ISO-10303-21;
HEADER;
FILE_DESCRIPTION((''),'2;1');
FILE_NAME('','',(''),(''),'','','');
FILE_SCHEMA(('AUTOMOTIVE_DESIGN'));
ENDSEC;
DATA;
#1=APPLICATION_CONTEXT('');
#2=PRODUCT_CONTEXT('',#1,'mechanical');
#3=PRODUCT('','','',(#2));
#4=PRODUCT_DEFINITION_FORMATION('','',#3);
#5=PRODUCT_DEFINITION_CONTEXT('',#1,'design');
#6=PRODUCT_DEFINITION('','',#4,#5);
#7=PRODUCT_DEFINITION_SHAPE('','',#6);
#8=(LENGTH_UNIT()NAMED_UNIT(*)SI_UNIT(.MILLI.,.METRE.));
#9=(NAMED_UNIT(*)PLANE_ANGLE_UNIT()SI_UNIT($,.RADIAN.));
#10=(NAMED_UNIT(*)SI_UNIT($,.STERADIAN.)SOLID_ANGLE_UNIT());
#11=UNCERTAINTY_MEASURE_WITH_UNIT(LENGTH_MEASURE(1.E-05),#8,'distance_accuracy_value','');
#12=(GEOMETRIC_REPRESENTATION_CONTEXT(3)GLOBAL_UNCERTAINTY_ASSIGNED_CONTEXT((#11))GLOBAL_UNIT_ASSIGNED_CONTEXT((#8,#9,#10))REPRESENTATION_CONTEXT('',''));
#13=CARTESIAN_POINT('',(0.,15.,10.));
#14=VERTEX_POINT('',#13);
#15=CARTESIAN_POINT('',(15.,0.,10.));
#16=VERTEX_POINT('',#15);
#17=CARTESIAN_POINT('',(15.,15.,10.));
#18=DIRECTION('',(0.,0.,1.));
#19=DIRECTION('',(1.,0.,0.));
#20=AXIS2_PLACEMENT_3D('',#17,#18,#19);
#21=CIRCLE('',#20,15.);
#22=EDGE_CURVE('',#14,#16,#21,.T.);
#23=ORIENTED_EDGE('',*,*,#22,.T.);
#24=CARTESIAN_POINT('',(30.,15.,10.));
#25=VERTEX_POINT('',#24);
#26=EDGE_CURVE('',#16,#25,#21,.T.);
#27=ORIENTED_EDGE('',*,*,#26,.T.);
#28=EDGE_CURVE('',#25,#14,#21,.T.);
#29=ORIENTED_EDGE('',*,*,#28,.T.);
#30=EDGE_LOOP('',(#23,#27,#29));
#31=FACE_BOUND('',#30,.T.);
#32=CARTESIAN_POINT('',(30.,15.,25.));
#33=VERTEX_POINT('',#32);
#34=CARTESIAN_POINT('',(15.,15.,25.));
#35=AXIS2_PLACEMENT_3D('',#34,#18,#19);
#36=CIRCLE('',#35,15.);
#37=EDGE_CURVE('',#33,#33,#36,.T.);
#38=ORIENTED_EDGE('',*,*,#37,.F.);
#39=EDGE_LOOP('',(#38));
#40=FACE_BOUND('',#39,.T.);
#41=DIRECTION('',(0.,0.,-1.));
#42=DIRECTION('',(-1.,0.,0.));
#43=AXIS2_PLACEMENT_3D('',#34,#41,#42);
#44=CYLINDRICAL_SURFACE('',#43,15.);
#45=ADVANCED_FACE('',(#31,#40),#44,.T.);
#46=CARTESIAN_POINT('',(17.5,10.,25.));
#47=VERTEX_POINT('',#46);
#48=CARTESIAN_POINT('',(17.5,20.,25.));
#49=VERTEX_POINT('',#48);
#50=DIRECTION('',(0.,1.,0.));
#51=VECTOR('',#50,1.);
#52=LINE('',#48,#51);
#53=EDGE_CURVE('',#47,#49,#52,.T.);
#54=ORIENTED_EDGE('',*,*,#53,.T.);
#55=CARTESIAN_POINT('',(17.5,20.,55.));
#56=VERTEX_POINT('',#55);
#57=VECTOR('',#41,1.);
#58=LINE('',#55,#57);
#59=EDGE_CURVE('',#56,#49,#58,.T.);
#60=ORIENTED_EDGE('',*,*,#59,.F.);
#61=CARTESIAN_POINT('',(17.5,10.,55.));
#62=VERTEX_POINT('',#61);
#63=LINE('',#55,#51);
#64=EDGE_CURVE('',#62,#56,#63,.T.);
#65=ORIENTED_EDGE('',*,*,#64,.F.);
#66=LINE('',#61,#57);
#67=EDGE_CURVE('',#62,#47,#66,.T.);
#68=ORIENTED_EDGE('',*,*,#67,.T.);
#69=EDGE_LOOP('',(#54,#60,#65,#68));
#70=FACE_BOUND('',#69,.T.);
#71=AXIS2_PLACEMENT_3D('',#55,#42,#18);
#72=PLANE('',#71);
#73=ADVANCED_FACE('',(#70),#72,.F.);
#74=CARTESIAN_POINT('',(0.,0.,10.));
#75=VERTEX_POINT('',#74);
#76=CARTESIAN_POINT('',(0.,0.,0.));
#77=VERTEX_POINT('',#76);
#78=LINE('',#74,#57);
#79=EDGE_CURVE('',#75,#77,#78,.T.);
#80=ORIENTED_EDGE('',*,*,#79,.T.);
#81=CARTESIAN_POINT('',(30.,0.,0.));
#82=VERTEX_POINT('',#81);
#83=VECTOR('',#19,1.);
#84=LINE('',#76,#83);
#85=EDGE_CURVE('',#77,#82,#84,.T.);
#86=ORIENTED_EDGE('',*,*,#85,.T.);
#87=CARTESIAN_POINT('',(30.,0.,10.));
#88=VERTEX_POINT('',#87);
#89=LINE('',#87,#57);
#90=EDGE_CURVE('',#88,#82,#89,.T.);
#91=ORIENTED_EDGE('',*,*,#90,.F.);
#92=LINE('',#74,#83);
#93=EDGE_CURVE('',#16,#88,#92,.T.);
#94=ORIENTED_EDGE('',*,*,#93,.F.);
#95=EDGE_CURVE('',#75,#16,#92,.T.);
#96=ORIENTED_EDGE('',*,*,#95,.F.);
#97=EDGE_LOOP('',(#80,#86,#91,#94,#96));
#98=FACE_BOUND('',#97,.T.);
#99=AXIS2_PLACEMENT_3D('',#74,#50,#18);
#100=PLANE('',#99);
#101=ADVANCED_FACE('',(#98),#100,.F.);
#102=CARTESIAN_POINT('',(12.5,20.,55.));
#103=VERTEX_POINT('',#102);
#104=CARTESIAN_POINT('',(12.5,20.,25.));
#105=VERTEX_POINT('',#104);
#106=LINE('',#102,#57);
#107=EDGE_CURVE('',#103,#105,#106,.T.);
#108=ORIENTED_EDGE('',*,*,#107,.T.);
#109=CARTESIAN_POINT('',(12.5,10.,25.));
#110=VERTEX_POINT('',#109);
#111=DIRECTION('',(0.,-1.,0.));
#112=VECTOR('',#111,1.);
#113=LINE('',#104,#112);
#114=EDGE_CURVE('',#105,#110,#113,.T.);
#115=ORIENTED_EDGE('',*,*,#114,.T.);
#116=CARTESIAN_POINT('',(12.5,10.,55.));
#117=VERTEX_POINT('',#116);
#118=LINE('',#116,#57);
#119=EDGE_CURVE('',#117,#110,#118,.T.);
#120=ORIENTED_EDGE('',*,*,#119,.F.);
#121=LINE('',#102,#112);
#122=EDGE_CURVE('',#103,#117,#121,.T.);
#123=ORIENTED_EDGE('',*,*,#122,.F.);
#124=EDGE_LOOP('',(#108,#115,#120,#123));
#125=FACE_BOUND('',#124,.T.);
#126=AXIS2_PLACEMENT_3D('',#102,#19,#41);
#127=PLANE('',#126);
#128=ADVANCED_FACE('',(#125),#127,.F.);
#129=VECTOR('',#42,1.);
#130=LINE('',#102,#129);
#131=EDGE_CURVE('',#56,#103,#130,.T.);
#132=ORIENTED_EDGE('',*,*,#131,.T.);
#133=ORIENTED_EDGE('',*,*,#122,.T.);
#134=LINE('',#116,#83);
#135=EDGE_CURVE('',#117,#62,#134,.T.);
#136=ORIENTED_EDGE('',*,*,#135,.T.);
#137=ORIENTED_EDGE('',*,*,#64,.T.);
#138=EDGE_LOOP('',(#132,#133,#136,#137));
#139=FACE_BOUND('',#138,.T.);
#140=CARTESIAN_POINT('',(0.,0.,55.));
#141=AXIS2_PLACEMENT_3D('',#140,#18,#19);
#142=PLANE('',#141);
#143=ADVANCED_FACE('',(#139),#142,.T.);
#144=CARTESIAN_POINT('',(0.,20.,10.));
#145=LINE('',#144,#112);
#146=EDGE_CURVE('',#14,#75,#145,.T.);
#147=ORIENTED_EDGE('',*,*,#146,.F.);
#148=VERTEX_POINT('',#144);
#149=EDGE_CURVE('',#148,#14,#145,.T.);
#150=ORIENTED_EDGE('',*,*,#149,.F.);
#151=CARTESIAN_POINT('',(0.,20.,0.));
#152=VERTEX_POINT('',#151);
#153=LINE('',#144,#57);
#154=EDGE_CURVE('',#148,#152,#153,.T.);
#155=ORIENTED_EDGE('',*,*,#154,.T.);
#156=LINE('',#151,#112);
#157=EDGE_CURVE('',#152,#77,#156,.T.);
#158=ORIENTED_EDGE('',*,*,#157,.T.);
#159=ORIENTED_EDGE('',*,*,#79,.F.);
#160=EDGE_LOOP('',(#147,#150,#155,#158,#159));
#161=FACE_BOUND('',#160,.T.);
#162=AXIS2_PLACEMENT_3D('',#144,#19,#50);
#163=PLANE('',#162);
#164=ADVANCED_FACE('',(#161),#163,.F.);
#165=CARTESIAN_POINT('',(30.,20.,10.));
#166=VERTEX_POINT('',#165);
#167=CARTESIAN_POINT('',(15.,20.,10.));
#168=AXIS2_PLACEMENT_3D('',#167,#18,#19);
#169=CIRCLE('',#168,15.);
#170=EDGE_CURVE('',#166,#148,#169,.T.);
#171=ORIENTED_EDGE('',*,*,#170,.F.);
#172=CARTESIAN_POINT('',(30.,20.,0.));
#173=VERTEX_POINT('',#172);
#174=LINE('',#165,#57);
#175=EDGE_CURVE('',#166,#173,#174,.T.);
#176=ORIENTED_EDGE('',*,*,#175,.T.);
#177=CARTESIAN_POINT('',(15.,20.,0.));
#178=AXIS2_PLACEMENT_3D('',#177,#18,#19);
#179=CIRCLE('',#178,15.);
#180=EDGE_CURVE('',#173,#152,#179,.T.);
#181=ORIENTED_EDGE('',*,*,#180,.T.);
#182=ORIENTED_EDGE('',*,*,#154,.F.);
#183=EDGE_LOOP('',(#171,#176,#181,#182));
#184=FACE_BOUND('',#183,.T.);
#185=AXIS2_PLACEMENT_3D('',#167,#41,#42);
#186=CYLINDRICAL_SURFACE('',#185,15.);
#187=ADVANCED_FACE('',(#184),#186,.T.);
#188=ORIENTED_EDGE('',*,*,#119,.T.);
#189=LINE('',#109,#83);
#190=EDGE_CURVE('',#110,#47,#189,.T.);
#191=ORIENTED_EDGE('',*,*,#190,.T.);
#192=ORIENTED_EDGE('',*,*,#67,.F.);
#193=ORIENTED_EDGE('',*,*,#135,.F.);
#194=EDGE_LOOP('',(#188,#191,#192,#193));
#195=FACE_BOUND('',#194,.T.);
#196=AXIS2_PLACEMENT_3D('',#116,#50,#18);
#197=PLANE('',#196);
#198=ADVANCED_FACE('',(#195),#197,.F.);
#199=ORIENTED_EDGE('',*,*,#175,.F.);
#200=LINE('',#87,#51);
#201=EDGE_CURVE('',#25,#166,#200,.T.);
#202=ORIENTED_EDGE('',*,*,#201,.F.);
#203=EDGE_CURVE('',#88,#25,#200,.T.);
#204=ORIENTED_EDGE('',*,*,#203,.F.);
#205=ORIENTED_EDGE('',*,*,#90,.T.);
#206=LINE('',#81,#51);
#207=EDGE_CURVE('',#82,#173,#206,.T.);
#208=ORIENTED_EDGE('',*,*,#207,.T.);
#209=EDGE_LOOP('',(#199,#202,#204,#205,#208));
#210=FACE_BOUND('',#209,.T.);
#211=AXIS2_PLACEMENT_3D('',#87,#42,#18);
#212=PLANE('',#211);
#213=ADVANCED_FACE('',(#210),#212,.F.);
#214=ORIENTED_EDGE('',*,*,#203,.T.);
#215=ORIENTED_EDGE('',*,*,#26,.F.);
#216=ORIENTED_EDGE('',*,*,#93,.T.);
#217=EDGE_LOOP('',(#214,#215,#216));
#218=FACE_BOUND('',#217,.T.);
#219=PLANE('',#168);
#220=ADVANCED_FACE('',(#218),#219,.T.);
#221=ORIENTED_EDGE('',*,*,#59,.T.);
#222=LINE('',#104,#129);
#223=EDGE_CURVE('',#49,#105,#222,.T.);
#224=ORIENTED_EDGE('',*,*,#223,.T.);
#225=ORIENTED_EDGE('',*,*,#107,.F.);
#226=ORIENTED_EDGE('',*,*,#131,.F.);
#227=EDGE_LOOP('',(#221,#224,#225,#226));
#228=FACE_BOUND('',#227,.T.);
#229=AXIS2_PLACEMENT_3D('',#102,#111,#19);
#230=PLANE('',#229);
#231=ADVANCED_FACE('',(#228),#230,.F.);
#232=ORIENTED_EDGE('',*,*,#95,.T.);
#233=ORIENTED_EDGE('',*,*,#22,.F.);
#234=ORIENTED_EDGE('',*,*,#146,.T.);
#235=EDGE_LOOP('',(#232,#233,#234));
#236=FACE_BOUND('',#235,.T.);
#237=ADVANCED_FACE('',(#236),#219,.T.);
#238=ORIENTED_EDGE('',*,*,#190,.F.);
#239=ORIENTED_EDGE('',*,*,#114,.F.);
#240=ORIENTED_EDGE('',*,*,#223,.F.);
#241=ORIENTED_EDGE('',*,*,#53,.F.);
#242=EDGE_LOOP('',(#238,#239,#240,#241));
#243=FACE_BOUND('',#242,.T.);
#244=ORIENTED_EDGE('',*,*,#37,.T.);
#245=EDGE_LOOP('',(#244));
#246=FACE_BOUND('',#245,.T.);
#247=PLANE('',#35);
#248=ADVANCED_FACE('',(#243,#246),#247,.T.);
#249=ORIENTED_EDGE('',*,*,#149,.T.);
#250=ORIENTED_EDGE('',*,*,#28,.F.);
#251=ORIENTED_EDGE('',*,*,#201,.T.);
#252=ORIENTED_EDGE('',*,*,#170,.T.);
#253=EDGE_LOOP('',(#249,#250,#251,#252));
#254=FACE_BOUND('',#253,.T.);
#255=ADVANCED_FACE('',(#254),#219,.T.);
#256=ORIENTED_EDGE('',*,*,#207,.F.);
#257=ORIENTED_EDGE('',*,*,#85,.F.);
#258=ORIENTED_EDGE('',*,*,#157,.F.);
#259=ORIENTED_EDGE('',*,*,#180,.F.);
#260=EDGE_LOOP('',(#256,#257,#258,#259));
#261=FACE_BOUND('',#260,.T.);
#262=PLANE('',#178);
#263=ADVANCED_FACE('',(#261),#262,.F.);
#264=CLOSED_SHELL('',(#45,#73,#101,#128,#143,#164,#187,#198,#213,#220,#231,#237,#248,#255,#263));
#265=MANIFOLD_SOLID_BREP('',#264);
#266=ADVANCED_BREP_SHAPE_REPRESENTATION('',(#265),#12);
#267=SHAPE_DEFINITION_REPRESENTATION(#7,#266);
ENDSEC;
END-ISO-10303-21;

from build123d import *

# Parameters (mm, degrees)
EXTRUDE_1_DEPTH = 10
SKETCH_2_R      = 15
EXTRUDE_2_DEPTH = 15
SKETCH_3_W      = 5
SKETCH_3_H      = 10
EXTRUDE_3_DEPTH = 30


with BuildPart() as part:
    # ｽｹｯﾁ1 → ﾎﾞｽ - 押し出し1 (new body)
    with BuildSketch(Plane.XY):
        with BuildLine():
            Line((0, 0), (30, 0))
            Line((30, 0), (30, 20))
            ThreePointArc((30, 20), (15, 35), (0, 20))
            Line((0, 20), (0, 0))
        make_face()
    extrude(amount=EXTRUDE_1_DEPTH)

    # ｽｹｯﾁ2 → ﾎﾞｽ - 押し出し2 (add)
    with BuildSketch(Plane.XY.offset(10)):
        with Locations((15, 15)):
            Circle(SKETCH_2_R)
    extrude(amount=EXTRUDE_2_DEPTH)

    # ｽｹｯﾁ3 → ﾎﾞｽ - 押し出し3 (add)
    with BuildSketch(Plane.XY.offset(25)):
        with Locations((15, 15)):
            Rectangle(SKETCH_3_W, SKETCH_3_H)
    extrude(amount=EXTRUDE_3_DEPTH)


solid = part.part
